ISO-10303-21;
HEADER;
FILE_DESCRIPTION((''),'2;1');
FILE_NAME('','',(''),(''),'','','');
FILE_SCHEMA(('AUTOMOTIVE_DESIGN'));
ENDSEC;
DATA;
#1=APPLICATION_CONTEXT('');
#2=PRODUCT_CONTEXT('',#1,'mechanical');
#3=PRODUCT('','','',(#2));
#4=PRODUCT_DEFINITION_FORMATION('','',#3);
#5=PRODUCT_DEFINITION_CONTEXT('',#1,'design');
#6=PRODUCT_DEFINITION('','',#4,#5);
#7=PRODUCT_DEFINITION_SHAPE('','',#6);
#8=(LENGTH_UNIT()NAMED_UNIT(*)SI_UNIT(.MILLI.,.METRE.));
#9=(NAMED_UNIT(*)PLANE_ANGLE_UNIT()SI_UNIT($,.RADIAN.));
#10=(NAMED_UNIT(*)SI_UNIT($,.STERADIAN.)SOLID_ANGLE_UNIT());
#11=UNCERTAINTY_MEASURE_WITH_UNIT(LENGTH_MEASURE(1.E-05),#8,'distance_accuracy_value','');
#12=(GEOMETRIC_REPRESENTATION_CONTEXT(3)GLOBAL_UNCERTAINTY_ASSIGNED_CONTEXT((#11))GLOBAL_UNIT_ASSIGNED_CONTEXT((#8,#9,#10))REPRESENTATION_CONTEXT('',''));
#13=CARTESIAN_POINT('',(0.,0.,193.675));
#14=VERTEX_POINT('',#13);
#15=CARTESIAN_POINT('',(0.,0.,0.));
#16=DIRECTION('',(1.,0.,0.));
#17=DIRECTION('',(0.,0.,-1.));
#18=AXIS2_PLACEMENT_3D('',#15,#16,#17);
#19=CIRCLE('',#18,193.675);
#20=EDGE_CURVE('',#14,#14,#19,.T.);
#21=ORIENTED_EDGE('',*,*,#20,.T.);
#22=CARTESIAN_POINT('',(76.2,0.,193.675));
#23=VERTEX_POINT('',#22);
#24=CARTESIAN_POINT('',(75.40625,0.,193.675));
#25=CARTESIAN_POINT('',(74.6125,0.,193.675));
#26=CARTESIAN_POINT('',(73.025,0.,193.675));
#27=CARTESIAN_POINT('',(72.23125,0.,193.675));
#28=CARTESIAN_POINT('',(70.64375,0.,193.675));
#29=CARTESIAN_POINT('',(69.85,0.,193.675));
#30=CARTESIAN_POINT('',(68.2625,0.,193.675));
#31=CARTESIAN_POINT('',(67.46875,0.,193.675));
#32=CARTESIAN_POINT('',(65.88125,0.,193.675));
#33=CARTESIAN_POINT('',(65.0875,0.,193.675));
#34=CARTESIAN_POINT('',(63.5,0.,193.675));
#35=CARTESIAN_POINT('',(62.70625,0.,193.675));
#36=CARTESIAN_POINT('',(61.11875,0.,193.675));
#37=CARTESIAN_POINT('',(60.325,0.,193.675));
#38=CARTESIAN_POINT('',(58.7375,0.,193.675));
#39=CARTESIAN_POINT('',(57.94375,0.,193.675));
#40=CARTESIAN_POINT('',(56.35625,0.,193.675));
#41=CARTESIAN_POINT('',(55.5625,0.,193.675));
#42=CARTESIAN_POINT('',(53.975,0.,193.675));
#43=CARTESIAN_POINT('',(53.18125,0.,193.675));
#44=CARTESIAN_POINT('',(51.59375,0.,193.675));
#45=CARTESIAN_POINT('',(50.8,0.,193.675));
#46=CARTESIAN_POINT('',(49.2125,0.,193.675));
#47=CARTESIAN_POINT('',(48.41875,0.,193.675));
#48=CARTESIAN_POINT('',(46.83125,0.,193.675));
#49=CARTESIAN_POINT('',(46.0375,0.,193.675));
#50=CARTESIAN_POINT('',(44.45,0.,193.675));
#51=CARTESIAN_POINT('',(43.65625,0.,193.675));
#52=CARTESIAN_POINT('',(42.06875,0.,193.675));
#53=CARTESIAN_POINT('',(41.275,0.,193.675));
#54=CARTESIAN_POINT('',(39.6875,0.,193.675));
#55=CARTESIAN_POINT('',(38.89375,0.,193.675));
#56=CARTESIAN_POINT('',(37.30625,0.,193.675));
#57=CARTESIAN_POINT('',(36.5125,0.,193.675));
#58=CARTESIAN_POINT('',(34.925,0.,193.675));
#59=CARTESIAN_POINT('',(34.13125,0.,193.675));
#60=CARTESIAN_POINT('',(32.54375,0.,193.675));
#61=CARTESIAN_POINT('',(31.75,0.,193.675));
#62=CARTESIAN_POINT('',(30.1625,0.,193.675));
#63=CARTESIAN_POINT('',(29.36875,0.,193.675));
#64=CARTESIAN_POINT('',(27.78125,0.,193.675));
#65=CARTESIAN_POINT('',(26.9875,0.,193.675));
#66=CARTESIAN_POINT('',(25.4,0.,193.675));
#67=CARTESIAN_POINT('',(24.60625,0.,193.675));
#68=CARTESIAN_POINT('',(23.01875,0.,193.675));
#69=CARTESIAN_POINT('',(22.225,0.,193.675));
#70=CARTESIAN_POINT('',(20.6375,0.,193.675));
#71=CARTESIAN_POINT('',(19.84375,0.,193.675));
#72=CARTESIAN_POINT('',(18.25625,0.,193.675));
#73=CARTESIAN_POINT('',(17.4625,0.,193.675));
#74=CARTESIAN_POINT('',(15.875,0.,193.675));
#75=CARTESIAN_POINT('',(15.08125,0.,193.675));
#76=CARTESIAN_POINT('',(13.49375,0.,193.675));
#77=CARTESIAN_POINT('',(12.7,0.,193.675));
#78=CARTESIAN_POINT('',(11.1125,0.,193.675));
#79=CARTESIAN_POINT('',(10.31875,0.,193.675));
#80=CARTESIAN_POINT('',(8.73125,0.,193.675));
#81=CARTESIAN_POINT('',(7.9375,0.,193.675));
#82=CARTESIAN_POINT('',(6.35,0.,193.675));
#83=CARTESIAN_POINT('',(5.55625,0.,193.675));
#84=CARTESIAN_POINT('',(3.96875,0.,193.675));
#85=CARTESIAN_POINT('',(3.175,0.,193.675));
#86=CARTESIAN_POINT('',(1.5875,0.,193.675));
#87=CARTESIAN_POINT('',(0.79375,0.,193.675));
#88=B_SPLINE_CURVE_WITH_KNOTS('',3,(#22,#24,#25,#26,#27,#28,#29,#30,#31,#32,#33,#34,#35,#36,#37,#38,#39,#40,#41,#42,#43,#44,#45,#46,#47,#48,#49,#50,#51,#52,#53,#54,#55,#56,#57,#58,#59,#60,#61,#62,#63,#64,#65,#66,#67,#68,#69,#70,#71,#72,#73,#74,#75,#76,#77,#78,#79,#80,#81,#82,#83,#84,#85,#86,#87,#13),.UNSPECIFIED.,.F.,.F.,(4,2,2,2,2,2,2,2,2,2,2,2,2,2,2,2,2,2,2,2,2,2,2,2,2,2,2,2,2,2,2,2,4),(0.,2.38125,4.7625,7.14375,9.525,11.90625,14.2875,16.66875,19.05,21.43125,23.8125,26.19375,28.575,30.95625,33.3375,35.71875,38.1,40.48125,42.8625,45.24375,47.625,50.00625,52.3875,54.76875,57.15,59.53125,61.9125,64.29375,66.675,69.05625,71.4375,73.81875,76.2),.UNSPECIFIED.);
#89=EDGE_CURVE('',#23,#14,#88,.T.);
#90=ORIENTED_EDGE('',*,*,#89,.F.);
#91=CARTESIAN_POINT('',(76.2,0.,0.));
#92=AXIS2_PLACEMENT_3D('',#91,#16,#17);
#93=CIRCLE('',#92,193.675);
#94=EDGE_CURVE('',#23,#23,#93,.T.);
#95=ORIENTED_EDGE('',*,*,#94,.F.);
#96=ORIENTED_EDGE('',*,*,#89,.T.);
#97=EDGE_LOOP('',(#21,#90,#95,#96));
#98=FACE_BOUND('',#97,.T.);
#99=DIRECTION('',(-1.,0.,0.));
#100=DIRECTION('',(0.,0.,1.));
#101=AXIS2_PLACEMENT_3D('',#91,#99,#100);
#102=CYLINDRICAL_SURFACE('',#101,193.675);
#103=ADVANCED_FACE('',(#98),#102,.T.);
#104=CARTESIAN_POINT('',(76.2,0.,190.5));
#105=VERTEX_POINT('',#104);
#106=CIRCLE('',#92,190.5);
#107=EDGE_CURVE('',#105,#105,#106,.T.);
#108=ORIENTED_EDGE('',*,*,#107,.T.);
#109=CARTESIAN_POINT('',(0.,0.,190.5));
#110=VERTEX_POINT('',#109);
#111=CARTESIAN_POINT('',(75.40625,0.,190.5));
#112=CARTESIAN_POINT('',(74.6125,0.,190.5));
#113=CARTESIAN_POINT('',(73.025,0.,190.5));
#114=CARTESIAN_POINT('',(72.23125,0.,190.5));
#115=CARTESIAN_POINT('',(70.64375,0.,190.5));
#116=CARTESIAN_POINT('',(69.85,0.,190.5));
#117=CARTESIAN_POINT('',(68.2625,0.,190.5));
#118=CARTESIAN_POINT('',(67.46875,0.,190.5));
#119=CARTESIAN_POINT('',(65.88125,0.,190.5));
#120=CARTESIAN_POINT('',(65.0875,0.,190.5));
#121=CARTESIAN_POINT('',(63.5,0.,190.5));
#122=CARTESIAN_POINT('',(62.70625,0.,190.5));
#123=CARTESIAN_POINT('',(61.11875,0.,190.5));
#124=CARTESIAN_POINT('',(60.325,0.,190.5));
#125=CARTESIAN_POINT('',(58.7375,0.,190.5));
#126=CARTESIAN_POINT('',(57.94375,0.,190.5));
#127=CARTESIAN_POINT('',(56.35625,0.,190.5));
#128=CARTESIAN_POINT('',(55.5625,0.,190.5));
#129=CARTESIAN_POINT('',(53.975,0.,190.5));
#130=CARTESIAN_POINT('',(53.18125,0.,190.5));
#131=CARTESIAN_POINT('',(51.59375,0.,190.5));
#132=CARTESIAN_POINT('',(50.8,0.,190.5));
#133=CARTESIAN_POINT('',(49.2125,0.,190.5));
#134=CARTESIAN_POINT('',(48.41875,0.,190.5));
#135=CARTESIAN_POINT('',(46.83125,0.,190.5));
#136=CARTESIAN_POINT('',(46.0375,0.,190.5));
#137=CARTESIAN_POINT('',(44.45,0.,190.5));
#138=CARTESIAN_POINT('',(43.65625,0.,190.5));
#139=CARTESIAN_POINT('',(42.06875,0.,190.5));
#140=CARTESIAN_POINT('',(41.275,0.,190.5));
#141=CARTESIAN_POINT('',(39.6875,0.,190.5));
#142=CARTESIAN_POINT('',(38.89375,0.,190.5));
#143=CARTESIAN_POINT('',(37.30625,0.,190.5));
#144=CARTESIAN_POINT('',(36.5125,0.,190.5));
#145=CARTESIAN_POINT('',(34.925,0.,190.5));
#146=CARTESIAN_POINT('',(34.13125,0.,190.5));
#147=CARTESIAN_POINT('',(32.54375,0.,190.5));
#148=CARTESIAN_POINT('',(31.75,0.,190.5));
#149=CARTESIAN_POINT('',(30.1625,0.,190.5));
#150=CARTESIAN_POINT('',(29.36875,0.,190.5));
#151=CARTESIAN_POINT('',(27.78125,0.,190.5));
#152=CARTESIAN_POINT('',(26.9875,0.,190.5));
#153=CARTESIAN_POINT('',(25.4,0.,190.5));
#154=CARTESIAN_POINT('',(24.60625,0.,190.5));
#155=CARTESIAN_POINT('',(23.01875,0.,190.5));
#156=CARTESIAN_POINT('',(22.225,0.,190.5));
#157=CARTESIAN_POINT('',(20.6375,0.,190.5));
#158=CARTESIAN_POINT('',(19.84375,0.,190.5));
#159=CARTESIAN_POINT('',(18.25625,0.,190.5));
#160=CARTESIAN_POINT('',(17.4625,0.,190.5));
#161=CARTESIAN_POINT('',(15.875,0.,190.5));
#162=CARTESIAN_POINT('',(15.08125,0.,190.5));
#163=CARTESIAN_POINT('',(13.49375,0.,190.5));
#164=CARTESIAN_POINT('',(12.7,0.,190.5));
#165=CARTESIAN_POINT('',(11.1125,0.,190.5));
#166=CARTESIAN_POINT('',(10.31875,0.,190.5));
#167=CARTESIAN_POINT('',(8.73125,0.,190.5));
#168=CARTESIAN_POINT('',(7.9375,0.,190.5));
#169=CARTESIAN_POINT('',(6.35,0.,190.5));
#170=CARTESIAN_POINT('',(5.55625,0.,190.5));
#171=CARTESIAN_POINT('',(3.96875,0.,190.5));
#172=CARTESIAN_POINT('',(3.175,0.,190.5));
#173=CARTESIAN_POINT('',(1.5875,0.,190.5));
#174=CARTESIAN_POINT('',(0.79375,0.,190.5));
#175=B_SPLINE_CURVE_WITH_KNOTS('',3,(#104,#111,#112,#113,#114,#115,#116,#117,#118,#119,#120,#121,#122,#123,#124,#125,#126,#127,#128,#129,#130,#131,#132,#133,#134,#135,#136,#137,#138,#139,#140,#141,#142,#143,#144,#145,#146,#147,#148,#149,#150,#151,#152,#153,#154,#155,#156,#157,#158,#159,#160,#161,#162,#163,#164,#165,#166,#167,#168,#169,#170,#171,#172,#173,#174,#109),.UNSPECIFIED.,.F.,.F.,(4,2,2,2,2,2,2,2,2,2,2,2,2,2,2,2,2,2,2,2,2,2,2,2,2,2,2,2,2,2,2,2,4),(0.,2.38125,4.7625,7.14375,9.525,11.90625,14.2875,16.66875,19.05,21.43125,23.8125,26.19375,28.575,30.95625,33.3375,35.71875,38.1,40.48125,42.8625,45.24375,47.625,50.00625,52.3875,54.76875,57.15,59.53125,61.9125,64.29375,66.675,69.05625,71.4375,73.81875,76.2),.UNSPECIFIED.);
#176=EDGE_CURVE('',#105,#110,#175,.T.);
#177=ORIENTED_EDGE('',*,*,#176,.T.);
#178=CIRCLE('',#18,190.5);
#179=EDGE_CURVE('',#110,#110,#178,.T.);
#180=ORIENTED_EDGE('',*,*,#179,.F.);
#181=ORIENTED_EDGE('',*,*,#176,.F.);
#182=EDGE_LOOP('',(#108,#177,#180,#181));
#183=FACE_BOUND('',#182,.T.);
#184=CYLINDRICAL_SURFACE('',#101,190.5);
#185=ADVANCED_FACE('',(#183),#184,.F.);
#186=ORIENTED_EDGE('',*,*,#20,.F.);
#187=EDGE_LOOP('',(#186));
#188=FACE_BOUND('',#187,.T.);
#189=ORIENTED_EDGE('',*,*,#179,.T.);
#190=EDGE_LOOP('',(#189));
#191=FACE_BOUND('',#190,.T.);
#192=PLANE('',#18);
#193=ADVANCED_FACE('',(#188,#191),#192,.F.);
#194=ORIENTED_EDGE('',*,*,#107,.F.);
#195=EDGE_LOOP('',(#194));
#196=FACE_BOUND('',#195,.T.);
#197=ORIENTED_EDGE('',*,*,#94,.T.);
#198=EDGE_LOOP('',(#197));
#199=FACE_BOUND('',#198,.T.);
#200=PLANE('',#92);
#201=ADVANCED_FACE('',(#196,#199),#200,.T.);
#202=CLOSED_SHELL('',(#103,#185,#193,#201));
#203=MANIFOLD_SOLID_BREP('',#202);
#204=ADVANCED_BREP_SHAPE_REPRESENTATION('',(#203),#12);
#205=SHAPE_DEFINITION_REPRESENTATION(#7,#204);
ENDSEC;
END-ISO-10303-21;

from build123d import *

# Parameters (mm, degrees)
SKETCH1_R           = 193.675
SKETCH1_R_2         = 190.5
BOSS_EXTRUDE1_DEPTH = 76.2


with BuildPart() as part:
    # Sketch1 → Boss-Extrude1 (new body)
    with BuildSketch(Plane(origin=(0, 0, 0), x_dir=(0, 0, -1), z_dir=(1, 0, 0))):
        with Locations(Location((0, 0, 0), (0, 0, 180))):
            Circle(SKETCH1_R)
        with Locations(Location((0, 0, 0), (0, 0, 180))):
            Circle(SKETCH1_R_2, mode=Mode.SUBTRACT)
    extrude(amount=BOSS_EXTRUDE1_DEPTH)


solid = part.part
